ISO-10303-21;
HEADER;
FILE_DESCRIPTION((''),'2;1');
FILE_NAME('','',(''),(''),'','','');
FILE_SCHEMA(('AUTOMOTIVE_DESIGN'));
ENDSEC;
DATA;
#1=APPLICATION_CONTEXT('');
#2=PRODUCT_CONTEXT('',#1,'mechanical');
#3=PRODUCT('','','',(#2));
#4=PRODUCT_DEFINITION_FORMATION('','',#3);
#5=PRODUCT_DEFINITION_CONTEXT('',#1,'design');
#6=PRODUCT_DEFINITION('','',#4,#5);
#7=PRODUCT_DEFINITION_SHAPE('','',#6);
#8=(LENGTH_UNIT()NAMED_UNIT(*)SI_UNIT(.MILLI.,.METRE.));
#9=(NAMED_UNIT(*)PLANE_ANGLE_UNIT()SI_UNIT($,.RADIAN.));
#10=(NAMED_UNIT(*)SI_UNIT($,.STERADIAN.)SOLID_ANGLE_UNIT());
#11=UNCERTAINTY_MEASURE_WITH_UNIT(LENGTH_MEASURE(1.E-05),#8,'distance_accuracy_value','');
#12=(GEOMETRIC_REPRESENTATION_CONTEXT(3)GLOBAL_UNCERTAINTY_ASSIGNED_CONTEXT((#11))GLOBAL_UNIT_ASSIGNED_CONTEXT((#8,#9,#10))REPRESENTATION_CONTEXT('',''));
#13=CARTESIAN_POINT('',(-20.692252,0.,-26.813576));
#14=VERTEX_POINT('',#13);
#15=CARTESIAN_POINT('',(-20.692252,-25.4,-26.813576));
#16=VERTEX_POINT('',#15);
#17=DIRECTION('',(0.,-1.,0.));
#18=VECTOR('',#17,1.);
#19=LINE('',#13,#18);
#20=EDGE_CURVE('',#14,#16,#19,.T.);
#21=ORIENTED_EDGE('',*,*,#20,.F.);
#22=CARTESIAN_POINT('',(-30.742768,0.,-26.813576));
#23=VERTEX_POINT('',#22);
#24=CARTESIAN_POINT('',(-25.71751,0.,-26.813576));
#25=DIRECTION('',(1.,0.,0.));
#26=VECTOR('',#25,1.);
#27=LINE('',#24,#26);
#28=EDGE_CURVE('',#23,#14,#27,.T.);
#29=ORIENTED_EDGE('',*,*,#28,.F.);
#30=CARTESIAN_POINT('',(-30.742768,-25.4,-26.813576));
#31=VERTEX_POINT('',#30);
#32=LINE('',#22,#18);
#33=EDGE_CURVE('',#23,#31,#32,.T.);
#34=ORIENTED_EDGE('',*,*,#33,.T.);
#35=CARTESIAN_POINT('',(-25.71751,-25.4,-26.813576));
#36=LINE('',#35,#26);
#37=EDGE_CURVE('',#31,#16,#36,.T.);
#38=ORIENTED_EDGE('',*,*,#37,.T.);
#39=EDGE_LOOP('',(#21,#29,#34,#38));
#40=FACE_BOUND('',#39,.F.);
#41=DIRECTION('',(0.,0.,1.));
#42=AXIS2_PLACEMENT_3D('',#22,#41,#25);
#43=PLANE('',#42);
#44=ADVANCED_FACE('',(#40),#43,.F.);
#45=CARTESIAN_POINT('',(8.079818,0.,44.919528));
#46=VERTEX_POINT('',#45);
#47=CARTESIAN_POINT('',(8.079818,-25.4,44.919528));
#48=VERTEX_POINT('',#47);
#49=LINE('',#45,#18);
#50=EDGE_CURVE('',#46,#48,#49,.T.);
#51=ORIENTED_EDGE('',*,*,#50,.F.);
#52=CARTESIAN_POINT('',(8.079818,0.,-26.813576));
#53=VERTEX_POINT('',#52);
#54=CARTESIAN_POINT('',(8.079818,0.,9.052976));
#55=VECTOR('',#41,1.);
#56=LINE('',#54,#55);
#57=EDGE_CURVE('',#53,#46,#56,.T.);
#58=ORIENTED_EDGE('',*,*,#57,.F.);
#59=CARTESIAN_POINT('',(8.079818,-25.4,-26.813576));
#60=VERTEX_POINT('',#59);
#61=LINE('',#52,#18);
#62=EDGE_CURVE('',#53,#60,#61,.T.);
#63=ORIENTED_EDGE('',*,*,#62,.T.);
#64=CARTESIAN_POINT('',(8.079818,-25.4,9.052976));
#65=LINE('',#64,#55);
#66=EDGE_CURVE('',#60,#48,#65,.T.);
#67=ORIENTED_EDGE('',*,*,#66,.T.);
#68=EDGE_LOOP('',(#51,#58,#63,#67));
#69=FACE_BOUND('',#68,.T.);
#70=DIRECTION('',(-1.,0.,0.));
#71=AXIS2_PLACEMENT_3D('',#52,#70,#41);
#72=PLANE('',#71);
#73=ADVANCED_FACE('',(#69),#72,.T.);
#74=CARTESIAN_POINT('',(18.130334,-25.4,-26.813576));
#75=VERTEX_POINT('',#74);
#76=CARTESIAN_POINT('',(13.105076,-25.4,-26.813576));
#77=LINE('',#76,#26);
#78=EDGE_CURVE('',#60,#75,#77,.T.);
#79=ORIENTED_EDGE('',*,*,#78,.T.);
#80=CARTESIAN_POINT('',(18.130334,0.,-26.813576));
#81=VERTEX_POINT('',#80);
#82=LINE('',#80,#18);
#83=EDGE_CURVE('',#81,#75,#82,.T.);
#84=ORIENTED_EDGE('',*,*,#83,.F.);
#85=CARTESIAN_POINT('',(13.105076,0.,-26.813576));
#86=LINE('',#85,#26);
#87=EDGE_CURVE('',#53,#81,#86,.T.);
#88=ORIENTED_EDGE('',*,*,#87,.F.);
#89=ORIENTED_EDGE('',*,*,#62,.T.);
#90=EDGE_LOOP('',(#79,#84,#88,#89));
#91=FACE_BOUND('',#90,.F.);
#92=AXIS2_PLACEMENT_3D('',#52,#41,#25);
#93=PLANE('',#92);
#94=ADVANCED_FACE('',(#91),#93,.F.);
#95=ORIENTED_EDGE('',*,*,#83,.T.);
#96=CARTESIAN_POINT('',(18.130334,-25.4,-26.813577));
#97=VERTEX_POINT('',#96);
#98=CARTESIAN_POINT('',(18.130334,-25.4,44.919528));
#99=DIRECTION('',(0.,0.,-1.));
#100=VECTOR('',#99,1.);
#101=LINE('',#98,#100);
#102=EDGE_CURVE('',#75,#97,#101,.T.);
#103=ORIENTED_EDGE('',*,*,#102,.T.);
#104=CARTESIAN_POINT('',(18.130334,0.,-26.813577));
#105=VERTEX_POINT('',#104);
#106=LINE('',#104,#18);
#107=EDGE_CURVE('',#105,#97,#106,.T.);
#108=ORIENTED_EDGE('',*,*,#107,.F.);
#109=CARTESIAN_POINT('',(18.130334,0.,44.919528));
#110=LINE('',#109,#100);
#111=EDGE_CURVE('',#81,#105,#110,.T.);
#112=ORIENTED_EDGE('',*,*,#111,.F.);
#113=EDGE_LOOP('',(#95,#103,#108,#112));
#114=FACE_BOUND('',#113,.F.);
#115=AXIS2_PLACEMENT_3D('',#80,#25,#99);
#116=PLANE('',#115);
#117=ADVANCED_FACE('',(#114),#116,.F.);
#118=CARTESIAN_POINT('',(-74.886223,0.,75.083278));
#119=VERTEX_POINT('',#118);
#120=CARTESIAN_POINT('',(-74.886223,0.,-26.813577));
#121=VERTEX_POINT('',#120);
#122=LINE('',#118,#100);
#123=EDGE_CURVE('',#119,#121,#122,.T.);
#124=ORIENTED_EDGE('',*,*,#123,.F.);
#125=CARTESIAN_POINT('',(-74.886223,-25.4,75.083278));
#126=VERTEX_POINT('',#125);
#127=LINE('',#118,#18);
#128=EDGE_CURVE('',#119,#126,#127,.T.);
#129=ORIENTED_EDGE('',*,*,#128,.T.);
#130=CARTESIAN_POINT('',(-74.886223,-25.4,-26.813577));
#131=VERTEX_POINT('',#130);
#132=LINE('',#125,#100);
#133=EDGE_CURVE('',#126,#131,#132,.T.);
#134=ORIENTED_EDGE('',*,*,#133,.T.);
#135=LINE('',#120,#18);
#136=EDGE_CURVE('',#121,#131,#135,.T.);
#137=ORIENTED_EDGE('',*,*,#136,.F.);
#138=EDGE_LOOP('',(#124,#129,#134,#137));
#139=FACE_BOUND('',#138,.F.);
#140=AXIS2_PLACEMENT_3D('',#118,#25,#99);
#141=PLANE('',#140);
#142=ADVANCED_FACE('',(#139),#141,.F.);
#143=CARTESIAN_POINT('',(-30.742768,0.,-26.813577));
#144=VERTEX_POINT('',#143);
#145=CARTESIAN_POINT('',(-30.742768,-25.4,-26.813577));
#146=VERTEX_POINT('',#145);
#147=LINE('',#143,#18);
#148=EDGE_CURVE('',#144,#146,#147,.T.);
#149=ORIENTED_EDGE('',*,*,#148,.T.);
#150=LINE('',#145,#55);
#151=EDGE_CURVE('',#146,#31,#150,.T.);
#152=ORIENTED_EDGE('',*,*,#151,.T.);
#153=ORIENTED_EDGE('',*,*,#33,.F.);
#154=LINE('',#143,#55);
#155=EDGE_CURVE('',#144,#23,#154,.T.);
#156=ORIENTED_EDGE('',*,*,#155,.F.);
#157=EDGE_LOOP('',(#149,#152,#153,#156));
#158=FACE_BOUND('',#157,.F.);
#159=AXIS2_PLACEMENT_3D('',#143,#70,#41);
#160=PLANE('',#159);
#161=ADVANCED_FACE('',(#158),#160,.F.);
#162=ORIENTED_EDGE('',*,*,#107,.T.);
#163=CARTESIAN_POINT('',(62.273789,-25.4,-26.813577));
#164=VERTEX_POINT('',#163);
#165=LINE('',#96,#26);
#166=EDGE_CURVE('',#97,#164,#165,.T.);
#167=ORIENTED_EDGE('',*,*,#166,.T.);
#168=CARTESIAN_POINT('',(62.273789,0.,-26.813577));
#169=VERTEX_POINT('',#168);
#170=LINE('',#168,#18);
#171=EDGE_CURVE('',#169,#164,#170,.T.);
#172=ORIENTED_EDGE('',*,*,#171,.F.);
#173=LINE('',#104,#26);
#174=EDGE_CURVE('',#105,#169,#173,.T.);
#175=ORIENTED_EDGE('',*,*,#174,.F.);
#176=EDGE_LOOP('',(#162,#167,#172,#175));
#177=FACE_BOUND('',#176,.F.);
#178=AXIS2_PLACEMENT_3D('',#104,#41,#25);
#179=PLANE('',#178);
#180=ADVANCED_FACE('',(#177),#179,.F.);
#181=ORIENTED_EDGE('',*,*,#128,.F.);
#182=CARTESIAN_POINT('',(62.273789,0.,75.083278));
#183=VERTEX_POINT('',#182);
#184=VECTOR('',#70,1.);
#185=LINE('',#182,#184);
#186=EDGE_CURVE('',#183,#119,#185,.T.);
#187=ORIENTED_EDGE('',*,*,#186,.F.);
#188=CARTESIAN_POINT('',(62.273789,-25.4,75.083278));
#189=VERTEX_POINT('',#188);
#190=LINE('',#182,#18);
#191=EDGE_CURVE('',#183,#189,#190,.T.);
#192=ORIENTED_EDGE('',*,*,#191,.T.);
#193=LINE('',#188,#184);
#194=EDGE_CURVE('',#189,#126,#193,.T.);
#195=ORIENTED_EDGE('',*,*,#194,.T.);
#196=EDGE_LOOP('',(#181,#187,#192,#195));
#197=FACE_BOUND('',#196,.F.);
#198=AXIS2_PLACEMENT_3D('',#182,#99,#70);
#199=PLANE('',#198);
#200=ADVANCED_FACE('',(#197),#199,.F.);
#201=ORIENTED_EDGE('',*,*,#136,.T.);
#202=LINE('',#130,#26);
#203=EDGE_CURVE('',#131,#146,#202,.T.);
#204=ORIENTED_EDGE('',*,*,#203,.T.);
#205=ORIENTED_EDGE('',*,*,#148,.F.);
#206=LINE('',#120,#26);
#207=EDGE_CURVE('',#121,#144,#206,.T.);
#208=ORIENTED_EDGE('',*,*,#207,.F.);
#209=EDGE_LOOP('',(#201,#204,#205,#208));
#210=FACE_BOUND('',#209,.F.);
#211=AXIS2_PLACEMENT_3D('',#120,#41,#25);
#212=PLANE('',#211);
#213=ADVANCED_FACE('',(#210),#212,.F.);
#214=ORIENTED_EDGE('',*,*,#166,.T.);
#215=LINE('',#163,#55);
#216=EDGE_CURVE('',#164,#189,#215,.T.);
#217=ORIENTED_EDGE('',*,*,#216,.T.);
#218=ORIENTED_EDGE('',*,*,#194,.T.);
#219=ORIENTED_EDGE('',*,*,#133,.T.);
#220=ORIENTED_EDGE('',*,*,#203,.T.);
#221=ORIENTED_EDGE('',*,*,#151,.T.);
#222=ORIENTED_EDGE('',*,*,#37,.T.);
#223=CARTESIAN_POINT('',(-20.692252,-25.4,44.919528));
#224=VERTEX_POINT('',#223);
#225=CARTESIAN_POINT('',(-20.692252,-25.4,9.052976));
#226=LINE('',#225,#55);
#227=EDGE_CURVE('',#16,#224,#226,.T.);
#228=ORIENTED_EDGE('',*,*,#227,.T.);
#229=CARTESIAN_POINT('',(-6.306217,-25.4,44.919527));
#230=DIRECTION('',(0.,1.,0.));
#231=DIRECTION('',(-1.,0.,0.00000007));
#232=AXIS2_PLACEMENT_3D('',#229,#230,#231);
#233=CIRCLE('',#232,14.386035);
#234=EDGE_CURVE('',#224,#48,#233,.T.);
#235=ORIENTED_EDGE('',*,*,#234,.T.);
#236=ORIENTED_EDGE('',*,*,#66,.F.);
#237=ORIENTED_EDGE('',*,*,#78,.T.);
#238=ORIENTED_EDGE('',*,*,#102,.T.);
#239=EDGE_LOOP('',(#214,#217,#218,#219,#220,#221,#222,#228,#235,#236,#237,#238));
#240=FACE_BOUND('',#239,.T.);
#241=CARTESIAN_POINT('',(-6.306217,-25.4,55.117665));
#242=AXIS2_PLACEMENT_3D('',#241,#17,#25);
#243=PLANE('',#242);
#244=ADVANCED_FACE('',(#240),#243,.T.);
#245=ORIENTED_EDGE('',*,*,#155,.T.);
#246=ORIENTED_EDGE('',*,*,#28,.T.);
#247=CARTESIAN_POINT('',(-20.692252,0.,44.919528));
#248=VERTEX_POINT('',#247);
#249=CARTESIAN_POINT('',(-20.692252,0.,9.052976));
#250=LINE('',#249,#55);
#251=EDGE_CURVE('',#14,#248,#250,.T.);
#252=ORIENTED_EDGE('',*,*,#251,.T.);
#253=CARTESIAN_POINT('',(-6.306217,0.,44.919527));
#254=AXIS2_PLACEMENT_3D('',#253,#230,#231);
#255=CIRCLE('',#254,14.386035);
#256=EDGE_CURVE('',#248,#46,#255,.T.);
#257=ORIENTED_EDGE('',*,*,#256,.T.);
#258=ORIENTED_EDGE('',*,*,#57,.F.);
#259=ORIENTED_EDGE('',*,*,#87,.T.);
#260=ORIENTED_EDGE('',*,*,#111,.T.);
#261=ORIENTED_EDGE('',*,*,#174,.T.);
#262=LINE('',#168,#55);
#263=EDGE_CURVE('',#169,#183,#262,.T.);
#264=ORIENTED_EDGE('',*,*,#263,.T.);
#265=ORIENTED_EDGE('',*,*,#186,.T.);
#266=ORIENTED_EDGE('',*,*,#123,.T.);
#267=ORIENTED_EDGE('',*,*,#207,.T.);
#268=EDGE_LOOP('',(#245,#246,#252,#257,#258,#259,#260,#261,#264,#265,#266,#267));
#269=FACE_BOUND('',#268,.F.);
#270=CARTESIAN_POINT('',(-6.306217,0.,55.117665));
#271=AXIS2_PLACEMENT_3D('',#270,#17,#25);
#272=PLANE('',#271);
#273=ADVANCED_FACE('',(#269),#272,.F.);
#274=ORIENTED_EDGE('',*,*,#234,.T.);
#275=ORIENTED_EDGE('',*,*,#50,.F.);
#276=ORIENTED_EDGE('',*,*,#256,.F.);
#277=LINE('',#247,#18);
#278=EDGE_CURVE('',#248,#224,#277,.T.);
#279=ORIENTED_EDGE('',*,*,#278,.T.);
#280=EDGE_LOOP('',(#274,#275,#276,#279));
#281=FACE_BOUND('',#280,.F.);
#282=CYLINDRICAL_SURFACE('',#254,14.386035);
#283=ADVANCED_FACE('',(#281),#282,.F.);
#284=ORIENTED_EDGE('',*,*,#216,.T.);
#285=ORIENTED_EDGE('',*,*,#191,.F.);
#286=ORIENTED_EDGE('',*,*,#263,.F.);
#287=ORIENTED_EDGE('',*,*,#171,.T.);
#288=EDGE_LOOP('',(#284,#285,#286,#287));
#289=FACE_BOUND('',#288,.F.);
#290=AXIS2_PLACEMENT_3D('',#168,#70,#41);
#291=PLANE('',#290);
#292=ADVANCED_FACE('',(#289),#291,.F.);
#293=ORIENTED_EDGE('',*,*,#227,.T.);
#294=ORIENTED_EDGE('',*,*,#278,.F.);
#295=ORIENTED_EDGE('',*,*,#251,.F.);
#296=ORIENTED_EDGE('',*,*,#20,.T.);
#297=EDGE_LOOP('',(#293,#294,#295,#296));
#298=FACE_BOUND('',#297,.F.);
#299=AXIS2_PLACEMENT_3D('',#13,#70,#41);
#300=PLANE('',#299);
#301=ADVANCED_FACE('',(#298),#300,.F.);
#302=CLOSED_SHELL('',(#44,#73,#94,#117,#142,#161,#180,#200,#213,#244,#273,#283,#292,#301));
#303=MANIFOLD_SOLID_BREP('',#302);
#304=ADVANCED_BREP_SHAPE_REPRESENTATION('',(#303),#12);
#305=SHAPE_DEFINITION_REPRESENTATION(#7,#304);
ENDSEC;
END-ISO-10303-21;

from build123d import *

# Parameters (mm, degrees)
F0_W     = 10.050516
F0_H     = 71.733105
F1_DEPTH = 25.4


with BuildPart() as f1:
    # F0 (on Front) → F1 (new body)
    with BuildSketch(Plane.XZ):
        with BuildLine():
            Line((-30.742768, 44.919528), (-20.692252, 44.919528))
            ThreePointArc((-20.692252, 44.919528), (-6.306217, 59.305562), (8.079818, 44.919528))
            Line((8.079818, 44.919528), (18.130334, 44.919528))
            ThreePointArc((18.130334, 44.919528), (-6.306217, 69.356079), (-30.742768, 44.919528))
        make_face()
        with Locations((-25.71751, 9.052976)):
            Rectangle(F0_W, F0_H)
        with Locations((13.105076, 9.052976)):
            Rectangle(F0_W, F0_H)
        with BuildLine():
            Line((-74.886223, -26.813577), (-30.742768, -26.813577))
            Line((-30.742768, -26.813577), (-30.742768, 44.919528))
            ThreePointArc((-30.742768, 44.919528), (-6.306217, 69.356079), (18.130334, 44.919528))
            Line((18.130334, 44.919528), (18.130334, -26.813577))
            Line((18.130334, -26.813577), (62.273789, -26.813577))
            Line((62.273789, -26.813577), (62.273789, 75.083278))
            Line((62.273789, 75.083278), (-74.886223, 75.083278))
            Line((-74.886223, 75.083278), (-74.886223, -26.813577))
        make_face()
    extrude(amount=F1_DEPTH)


solid = f1.part
